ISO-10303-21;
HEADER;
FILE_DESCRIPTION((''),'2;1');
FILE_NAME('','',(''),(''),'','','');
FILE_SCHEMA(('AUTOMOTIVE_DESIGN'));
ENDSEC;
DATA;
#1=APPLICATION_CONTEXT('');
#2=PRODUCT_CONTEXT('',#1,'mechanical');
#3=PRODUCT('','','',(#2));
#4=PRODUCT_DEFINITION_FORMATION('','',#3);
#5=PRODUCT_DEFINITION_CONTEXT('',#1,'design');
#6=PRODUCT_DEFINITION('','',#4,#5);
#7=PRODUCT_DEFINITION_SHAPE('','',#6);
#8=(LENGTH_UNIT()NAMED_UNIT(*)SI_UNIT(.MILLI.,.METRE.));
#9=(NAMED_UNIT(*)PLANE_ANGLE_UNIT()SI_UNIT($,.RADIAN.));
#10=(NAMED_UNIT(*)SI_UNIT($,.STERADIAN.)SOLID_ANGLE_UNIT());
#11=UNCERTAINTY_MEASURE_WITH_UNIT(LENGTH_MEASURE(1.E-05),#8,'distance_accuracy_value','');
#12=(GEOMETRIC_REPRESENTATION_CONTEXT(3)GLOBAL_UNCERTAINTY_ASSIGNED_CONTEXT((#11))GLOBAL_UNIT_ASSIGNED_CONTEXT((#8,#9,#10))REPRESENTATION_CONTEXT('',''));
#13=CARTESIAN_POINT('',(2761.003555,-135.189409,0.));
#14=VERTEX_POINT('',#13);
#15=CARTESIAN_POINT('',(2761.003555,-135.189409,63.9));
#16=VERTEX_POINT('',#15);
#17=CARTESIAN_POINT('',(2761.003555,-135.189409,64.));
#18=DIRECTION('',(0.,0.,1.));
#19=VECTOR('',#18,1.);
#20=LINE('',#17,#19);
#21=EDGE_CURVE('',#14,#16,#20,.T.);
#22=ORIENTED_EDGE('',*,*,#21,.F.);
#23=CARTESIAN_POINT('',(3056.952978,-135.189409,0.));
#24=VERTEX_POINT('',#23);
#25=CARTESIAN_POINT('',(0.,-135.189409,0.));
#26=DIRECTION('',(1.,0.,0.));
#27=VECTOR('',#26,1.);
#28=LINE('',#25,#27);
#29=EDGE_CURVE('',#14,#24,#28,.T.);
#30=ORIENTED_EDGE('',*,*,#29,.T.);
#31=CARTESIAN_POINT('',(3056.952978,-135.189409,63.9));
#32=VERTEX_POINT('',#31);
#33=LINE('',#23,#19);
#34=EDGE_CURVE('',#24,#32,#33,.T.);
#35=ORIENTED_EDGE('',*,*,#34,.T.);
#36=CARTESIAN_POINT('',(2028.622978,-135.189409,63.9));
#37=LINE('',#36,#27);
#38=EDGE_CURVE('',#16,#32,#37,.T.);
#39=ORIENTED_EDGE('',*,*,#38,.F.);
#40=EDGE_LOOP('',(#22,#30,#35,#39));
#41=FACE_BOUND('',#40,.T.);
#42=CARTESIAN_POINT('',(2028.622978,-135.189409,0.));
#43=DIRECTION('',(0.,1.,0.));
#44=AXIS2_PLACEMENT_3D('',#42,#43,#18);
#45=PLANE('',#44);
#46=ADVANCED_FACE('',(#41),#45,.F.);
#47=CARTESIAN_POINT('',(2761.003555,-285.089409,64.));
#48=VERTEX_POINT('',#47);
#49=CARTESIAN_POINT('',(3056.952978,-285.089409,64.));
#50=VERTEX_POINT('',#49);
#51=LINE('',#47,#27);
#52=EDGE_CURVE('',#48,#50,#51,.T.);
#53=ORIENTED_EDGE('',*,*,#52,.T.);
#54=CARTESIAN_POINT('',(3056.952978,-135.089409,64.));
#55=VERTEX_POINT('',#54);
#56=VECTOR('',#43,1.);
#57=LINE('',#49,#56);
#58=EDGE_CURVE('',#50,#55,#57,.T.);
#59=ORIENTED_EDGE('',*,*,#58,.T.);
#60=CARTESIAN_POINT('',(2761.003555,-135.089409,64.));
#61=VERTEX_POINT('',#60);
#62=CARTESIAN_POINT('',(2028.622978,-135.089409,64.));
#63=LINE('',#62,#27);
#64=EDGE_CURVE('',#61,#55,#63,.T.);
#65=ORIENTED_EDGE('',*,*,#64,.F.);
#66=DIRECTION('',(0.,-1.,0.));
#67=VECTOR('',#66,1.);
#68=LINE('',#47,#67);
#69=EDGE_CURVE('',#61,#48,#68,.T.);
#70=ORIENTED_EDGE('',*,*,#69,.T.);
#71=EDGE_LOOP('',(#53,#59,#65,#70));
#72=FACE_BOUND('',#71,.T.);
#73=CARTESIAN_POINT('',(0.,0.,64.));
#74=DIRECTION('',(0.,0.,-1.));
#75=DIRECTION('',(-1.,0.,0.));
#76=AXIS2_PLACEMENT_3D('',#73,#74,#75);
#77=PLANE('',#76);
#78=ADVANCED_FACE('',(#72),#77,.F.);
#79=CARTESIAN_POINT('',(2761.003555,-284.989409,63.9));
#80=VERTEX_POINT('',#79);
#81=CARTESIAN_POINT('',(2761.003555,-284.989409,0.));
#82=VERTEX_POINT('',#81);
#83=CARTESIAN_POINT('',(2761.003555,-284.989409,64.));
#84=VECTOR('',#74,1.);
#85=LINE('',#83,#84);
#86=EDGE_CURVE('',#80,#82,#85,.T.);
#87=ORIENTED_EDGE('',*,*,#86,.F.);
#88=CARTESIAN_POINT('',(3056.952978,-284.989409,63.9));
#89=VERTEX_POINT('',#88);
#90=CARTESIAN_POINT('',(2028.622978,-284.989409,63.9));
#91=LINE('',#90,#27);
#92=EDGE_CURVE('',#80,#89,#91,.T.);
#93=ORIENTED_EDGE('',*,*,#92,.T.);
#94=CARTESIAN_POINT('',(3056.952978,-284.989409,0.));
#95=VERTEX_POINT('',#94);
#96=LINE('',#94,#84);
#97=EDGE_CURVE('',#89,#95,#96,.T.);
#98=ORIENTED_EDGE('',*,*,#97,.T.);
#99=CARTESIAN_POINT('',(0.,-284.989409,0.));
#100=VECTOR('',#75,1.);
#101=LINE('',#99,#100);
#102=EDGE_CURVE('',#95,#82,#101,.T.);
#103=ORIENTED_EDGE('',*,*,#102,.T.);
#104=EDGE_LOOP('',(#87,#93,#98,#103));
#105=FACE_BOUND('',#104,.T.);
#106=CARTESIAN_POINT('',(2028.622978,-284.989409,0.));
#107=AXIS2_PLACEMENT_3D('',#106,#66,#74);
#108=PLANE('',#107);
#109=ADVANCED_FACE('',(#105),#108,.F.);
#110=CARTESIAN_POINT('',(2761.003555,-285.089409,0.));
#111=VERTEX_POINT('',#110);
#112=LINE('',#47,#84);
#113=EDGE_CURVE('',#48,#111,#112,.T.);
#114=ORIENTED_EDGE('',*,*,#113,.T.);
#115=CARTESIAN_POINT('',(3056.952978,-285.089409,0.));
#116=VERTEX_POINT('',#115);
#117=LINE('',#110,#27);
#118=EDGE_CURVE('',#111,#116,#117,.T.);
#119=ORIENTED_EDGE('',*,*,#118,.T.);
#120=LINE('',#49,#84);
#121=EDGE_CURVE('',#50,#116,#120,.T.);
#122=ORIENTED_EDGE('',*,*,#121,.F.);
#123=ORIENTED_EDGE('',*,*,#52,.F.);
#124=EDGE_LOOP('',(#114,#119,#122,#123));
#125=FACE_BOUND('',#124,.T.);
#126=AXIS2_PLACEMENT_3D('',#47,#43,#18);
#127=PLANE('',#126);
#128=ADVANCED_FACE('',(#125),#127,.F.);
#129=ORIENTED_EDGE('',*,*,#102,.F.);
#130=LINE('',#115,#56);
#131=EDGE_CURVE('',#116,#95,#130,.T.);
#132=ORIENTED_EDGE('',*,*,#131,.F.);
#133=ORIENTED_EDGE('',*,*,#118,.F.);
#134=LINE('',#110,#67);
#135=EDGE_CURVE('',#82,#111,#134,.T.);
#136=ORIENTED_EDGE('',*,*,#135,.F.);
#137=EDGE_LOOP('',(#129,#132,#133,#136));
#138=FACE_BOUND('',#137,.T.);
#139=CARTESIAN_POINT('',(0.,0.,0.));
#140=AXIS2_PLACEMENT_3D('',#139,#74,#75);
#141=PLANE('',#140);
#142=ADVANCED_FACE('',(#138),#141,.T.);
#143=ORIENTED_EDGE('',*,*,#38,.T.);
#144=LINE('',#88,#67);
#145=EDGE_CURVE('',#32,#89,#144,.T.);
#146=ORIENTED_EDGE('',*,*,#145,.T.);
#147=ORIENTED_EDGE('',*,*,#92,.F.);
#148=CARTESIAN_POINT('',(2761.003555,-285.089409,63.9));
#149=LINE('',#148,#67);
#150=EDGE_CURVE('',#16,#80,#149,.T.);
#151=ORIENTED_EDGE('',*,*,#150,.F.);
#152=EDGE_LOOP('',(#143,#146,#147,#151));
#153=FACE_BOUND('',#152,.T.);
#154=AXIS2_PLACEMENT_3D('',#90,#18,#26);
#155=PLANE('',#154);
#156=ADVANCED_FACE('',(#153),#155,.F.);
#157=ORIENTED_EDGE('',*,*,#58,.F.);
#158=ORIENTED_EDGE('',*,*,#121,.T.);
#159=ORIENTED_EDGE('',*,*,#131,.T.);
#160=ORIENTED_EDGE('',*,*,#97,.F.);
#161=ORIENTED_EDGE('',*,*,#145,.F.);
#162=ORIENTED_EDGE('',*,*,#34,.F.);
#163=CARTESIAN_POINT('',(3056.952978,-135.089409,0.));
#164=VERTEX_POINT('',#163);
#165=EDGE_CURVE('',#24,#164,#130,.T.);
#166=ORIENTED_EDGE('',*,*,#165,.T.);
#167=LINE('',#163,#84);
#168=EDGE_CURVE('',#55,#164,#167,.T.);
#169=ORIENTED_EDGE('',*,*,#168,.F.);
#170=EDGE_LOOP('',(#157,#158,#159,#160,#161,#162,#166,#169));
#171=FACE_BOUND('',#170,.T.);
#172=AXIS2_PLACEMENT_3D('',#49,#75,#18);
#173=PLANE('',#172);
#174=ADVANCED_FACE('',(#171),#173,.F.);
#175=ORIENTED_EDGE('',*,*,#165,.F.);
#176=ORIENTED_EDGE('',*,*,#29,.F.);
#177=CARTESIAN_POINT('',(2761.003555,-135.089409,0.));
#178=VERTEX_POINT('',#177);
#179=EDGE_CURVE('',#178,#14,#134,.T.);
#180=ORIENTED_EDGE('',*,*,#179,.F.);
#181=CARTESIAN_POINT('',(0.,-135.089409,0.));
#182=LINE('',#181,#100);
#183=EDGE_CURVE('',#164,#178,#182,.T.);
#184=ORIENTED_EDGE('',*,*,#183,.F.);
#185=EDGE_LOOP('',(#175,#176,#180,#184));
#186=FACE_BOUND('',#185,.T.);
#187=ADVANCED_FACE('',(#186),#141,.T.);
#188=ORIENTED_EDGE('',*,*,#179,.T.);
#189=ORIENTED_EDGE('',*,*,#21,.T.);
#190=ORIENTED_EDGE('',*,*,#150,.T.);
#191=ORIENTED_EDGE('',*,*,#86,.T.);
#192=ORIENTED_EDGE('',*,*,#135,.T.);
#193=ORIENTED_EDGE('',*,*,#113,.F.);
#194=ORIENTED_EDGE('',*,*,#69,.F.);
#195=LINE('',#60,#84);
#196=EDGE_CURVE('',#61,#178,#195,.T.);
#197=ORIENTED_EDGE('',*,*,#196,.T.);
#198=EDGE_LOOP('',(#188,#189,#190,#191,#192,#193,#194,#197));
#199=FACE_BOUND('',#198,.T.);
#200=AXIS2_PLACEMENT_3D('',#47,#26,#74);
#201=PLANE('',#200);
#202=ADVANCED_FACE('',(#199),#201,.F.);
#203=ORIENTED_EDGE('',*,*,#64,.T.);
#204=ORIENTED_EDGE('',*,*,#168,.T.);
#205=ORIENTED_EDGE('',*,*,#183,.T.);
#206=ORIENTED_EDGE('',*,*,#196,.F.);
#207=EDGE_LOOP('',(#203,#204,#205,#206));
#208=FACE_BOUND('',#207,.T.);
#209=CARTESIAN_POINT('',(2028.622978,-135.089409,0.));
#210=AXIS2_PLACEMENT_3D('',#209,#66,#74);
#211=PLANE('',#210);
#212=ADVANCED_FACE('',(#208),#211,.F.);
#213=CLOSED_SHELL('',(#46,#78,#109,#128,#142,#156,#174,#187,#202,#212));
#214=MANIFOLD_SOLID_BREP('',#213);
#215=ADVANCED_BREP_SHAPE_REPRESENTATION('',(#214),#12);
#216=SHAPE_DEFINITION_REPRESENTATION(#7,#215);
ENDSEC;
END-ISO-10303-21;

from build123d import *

# Parameters (mm, degrees)
SKETCH_1_W          = 295.949422796
SKETCH_1_H          = 458.479579913
EXTRUDE_1_DEPTH     = 64
SKETCH_2_W          = 64
SKETCH_2_H          = 308.479579913
CUT_EXTRUDE_1_DEPTH = 1028.33
SKETCH_3_W          = 63.9
SKETCH_3_H          = 149.8
CUT_EXTRUDE_2_DEPTH = 1028.33


with BuildPart() as part:
    # 스케치1 → 보스-돌출1 (new body)
    with BuildSketch(Plane.XY):
        with Locations((2908.978266494, -55.849619451)):
            Rectangle(SKETCH_1_W, SKETCH_1_H)
    extrude(amount=EXTRUDE_1_DEPTH)

    # 스케치2 → 컷-돌출1 (cut)
    with BuildSketch(Plane(origin=(3056.952977892, 0, 0), x_dir=(0, 0, -1), z_dir=(1, 0, 0))):
        with Locations((-32, 19.150380549)):
            Rectangle(SKETCH_2_W, SKETCH_2_H)
    extrude(amount=-CUT_EXTRUDE_1_DEPTH, mode=Mode.SUBTRACT)

    # 스케치3 → 컷-돌출2 (cut)
    with BuildSketch(Plane(origin=(3056.952977892, 0, 0), x_dir=(0, 0, -1), z_dir=(1, 0, 0))):
        with Locations((-31.95, -210.089409407)):
            Rectangle(SKETCH_3_W, SKETCH_3_H)
    extrude(amount=-CUT_EXTRUDE_2_DEPTH, mode=Mode.SUBTRACT)


solid = part.part
